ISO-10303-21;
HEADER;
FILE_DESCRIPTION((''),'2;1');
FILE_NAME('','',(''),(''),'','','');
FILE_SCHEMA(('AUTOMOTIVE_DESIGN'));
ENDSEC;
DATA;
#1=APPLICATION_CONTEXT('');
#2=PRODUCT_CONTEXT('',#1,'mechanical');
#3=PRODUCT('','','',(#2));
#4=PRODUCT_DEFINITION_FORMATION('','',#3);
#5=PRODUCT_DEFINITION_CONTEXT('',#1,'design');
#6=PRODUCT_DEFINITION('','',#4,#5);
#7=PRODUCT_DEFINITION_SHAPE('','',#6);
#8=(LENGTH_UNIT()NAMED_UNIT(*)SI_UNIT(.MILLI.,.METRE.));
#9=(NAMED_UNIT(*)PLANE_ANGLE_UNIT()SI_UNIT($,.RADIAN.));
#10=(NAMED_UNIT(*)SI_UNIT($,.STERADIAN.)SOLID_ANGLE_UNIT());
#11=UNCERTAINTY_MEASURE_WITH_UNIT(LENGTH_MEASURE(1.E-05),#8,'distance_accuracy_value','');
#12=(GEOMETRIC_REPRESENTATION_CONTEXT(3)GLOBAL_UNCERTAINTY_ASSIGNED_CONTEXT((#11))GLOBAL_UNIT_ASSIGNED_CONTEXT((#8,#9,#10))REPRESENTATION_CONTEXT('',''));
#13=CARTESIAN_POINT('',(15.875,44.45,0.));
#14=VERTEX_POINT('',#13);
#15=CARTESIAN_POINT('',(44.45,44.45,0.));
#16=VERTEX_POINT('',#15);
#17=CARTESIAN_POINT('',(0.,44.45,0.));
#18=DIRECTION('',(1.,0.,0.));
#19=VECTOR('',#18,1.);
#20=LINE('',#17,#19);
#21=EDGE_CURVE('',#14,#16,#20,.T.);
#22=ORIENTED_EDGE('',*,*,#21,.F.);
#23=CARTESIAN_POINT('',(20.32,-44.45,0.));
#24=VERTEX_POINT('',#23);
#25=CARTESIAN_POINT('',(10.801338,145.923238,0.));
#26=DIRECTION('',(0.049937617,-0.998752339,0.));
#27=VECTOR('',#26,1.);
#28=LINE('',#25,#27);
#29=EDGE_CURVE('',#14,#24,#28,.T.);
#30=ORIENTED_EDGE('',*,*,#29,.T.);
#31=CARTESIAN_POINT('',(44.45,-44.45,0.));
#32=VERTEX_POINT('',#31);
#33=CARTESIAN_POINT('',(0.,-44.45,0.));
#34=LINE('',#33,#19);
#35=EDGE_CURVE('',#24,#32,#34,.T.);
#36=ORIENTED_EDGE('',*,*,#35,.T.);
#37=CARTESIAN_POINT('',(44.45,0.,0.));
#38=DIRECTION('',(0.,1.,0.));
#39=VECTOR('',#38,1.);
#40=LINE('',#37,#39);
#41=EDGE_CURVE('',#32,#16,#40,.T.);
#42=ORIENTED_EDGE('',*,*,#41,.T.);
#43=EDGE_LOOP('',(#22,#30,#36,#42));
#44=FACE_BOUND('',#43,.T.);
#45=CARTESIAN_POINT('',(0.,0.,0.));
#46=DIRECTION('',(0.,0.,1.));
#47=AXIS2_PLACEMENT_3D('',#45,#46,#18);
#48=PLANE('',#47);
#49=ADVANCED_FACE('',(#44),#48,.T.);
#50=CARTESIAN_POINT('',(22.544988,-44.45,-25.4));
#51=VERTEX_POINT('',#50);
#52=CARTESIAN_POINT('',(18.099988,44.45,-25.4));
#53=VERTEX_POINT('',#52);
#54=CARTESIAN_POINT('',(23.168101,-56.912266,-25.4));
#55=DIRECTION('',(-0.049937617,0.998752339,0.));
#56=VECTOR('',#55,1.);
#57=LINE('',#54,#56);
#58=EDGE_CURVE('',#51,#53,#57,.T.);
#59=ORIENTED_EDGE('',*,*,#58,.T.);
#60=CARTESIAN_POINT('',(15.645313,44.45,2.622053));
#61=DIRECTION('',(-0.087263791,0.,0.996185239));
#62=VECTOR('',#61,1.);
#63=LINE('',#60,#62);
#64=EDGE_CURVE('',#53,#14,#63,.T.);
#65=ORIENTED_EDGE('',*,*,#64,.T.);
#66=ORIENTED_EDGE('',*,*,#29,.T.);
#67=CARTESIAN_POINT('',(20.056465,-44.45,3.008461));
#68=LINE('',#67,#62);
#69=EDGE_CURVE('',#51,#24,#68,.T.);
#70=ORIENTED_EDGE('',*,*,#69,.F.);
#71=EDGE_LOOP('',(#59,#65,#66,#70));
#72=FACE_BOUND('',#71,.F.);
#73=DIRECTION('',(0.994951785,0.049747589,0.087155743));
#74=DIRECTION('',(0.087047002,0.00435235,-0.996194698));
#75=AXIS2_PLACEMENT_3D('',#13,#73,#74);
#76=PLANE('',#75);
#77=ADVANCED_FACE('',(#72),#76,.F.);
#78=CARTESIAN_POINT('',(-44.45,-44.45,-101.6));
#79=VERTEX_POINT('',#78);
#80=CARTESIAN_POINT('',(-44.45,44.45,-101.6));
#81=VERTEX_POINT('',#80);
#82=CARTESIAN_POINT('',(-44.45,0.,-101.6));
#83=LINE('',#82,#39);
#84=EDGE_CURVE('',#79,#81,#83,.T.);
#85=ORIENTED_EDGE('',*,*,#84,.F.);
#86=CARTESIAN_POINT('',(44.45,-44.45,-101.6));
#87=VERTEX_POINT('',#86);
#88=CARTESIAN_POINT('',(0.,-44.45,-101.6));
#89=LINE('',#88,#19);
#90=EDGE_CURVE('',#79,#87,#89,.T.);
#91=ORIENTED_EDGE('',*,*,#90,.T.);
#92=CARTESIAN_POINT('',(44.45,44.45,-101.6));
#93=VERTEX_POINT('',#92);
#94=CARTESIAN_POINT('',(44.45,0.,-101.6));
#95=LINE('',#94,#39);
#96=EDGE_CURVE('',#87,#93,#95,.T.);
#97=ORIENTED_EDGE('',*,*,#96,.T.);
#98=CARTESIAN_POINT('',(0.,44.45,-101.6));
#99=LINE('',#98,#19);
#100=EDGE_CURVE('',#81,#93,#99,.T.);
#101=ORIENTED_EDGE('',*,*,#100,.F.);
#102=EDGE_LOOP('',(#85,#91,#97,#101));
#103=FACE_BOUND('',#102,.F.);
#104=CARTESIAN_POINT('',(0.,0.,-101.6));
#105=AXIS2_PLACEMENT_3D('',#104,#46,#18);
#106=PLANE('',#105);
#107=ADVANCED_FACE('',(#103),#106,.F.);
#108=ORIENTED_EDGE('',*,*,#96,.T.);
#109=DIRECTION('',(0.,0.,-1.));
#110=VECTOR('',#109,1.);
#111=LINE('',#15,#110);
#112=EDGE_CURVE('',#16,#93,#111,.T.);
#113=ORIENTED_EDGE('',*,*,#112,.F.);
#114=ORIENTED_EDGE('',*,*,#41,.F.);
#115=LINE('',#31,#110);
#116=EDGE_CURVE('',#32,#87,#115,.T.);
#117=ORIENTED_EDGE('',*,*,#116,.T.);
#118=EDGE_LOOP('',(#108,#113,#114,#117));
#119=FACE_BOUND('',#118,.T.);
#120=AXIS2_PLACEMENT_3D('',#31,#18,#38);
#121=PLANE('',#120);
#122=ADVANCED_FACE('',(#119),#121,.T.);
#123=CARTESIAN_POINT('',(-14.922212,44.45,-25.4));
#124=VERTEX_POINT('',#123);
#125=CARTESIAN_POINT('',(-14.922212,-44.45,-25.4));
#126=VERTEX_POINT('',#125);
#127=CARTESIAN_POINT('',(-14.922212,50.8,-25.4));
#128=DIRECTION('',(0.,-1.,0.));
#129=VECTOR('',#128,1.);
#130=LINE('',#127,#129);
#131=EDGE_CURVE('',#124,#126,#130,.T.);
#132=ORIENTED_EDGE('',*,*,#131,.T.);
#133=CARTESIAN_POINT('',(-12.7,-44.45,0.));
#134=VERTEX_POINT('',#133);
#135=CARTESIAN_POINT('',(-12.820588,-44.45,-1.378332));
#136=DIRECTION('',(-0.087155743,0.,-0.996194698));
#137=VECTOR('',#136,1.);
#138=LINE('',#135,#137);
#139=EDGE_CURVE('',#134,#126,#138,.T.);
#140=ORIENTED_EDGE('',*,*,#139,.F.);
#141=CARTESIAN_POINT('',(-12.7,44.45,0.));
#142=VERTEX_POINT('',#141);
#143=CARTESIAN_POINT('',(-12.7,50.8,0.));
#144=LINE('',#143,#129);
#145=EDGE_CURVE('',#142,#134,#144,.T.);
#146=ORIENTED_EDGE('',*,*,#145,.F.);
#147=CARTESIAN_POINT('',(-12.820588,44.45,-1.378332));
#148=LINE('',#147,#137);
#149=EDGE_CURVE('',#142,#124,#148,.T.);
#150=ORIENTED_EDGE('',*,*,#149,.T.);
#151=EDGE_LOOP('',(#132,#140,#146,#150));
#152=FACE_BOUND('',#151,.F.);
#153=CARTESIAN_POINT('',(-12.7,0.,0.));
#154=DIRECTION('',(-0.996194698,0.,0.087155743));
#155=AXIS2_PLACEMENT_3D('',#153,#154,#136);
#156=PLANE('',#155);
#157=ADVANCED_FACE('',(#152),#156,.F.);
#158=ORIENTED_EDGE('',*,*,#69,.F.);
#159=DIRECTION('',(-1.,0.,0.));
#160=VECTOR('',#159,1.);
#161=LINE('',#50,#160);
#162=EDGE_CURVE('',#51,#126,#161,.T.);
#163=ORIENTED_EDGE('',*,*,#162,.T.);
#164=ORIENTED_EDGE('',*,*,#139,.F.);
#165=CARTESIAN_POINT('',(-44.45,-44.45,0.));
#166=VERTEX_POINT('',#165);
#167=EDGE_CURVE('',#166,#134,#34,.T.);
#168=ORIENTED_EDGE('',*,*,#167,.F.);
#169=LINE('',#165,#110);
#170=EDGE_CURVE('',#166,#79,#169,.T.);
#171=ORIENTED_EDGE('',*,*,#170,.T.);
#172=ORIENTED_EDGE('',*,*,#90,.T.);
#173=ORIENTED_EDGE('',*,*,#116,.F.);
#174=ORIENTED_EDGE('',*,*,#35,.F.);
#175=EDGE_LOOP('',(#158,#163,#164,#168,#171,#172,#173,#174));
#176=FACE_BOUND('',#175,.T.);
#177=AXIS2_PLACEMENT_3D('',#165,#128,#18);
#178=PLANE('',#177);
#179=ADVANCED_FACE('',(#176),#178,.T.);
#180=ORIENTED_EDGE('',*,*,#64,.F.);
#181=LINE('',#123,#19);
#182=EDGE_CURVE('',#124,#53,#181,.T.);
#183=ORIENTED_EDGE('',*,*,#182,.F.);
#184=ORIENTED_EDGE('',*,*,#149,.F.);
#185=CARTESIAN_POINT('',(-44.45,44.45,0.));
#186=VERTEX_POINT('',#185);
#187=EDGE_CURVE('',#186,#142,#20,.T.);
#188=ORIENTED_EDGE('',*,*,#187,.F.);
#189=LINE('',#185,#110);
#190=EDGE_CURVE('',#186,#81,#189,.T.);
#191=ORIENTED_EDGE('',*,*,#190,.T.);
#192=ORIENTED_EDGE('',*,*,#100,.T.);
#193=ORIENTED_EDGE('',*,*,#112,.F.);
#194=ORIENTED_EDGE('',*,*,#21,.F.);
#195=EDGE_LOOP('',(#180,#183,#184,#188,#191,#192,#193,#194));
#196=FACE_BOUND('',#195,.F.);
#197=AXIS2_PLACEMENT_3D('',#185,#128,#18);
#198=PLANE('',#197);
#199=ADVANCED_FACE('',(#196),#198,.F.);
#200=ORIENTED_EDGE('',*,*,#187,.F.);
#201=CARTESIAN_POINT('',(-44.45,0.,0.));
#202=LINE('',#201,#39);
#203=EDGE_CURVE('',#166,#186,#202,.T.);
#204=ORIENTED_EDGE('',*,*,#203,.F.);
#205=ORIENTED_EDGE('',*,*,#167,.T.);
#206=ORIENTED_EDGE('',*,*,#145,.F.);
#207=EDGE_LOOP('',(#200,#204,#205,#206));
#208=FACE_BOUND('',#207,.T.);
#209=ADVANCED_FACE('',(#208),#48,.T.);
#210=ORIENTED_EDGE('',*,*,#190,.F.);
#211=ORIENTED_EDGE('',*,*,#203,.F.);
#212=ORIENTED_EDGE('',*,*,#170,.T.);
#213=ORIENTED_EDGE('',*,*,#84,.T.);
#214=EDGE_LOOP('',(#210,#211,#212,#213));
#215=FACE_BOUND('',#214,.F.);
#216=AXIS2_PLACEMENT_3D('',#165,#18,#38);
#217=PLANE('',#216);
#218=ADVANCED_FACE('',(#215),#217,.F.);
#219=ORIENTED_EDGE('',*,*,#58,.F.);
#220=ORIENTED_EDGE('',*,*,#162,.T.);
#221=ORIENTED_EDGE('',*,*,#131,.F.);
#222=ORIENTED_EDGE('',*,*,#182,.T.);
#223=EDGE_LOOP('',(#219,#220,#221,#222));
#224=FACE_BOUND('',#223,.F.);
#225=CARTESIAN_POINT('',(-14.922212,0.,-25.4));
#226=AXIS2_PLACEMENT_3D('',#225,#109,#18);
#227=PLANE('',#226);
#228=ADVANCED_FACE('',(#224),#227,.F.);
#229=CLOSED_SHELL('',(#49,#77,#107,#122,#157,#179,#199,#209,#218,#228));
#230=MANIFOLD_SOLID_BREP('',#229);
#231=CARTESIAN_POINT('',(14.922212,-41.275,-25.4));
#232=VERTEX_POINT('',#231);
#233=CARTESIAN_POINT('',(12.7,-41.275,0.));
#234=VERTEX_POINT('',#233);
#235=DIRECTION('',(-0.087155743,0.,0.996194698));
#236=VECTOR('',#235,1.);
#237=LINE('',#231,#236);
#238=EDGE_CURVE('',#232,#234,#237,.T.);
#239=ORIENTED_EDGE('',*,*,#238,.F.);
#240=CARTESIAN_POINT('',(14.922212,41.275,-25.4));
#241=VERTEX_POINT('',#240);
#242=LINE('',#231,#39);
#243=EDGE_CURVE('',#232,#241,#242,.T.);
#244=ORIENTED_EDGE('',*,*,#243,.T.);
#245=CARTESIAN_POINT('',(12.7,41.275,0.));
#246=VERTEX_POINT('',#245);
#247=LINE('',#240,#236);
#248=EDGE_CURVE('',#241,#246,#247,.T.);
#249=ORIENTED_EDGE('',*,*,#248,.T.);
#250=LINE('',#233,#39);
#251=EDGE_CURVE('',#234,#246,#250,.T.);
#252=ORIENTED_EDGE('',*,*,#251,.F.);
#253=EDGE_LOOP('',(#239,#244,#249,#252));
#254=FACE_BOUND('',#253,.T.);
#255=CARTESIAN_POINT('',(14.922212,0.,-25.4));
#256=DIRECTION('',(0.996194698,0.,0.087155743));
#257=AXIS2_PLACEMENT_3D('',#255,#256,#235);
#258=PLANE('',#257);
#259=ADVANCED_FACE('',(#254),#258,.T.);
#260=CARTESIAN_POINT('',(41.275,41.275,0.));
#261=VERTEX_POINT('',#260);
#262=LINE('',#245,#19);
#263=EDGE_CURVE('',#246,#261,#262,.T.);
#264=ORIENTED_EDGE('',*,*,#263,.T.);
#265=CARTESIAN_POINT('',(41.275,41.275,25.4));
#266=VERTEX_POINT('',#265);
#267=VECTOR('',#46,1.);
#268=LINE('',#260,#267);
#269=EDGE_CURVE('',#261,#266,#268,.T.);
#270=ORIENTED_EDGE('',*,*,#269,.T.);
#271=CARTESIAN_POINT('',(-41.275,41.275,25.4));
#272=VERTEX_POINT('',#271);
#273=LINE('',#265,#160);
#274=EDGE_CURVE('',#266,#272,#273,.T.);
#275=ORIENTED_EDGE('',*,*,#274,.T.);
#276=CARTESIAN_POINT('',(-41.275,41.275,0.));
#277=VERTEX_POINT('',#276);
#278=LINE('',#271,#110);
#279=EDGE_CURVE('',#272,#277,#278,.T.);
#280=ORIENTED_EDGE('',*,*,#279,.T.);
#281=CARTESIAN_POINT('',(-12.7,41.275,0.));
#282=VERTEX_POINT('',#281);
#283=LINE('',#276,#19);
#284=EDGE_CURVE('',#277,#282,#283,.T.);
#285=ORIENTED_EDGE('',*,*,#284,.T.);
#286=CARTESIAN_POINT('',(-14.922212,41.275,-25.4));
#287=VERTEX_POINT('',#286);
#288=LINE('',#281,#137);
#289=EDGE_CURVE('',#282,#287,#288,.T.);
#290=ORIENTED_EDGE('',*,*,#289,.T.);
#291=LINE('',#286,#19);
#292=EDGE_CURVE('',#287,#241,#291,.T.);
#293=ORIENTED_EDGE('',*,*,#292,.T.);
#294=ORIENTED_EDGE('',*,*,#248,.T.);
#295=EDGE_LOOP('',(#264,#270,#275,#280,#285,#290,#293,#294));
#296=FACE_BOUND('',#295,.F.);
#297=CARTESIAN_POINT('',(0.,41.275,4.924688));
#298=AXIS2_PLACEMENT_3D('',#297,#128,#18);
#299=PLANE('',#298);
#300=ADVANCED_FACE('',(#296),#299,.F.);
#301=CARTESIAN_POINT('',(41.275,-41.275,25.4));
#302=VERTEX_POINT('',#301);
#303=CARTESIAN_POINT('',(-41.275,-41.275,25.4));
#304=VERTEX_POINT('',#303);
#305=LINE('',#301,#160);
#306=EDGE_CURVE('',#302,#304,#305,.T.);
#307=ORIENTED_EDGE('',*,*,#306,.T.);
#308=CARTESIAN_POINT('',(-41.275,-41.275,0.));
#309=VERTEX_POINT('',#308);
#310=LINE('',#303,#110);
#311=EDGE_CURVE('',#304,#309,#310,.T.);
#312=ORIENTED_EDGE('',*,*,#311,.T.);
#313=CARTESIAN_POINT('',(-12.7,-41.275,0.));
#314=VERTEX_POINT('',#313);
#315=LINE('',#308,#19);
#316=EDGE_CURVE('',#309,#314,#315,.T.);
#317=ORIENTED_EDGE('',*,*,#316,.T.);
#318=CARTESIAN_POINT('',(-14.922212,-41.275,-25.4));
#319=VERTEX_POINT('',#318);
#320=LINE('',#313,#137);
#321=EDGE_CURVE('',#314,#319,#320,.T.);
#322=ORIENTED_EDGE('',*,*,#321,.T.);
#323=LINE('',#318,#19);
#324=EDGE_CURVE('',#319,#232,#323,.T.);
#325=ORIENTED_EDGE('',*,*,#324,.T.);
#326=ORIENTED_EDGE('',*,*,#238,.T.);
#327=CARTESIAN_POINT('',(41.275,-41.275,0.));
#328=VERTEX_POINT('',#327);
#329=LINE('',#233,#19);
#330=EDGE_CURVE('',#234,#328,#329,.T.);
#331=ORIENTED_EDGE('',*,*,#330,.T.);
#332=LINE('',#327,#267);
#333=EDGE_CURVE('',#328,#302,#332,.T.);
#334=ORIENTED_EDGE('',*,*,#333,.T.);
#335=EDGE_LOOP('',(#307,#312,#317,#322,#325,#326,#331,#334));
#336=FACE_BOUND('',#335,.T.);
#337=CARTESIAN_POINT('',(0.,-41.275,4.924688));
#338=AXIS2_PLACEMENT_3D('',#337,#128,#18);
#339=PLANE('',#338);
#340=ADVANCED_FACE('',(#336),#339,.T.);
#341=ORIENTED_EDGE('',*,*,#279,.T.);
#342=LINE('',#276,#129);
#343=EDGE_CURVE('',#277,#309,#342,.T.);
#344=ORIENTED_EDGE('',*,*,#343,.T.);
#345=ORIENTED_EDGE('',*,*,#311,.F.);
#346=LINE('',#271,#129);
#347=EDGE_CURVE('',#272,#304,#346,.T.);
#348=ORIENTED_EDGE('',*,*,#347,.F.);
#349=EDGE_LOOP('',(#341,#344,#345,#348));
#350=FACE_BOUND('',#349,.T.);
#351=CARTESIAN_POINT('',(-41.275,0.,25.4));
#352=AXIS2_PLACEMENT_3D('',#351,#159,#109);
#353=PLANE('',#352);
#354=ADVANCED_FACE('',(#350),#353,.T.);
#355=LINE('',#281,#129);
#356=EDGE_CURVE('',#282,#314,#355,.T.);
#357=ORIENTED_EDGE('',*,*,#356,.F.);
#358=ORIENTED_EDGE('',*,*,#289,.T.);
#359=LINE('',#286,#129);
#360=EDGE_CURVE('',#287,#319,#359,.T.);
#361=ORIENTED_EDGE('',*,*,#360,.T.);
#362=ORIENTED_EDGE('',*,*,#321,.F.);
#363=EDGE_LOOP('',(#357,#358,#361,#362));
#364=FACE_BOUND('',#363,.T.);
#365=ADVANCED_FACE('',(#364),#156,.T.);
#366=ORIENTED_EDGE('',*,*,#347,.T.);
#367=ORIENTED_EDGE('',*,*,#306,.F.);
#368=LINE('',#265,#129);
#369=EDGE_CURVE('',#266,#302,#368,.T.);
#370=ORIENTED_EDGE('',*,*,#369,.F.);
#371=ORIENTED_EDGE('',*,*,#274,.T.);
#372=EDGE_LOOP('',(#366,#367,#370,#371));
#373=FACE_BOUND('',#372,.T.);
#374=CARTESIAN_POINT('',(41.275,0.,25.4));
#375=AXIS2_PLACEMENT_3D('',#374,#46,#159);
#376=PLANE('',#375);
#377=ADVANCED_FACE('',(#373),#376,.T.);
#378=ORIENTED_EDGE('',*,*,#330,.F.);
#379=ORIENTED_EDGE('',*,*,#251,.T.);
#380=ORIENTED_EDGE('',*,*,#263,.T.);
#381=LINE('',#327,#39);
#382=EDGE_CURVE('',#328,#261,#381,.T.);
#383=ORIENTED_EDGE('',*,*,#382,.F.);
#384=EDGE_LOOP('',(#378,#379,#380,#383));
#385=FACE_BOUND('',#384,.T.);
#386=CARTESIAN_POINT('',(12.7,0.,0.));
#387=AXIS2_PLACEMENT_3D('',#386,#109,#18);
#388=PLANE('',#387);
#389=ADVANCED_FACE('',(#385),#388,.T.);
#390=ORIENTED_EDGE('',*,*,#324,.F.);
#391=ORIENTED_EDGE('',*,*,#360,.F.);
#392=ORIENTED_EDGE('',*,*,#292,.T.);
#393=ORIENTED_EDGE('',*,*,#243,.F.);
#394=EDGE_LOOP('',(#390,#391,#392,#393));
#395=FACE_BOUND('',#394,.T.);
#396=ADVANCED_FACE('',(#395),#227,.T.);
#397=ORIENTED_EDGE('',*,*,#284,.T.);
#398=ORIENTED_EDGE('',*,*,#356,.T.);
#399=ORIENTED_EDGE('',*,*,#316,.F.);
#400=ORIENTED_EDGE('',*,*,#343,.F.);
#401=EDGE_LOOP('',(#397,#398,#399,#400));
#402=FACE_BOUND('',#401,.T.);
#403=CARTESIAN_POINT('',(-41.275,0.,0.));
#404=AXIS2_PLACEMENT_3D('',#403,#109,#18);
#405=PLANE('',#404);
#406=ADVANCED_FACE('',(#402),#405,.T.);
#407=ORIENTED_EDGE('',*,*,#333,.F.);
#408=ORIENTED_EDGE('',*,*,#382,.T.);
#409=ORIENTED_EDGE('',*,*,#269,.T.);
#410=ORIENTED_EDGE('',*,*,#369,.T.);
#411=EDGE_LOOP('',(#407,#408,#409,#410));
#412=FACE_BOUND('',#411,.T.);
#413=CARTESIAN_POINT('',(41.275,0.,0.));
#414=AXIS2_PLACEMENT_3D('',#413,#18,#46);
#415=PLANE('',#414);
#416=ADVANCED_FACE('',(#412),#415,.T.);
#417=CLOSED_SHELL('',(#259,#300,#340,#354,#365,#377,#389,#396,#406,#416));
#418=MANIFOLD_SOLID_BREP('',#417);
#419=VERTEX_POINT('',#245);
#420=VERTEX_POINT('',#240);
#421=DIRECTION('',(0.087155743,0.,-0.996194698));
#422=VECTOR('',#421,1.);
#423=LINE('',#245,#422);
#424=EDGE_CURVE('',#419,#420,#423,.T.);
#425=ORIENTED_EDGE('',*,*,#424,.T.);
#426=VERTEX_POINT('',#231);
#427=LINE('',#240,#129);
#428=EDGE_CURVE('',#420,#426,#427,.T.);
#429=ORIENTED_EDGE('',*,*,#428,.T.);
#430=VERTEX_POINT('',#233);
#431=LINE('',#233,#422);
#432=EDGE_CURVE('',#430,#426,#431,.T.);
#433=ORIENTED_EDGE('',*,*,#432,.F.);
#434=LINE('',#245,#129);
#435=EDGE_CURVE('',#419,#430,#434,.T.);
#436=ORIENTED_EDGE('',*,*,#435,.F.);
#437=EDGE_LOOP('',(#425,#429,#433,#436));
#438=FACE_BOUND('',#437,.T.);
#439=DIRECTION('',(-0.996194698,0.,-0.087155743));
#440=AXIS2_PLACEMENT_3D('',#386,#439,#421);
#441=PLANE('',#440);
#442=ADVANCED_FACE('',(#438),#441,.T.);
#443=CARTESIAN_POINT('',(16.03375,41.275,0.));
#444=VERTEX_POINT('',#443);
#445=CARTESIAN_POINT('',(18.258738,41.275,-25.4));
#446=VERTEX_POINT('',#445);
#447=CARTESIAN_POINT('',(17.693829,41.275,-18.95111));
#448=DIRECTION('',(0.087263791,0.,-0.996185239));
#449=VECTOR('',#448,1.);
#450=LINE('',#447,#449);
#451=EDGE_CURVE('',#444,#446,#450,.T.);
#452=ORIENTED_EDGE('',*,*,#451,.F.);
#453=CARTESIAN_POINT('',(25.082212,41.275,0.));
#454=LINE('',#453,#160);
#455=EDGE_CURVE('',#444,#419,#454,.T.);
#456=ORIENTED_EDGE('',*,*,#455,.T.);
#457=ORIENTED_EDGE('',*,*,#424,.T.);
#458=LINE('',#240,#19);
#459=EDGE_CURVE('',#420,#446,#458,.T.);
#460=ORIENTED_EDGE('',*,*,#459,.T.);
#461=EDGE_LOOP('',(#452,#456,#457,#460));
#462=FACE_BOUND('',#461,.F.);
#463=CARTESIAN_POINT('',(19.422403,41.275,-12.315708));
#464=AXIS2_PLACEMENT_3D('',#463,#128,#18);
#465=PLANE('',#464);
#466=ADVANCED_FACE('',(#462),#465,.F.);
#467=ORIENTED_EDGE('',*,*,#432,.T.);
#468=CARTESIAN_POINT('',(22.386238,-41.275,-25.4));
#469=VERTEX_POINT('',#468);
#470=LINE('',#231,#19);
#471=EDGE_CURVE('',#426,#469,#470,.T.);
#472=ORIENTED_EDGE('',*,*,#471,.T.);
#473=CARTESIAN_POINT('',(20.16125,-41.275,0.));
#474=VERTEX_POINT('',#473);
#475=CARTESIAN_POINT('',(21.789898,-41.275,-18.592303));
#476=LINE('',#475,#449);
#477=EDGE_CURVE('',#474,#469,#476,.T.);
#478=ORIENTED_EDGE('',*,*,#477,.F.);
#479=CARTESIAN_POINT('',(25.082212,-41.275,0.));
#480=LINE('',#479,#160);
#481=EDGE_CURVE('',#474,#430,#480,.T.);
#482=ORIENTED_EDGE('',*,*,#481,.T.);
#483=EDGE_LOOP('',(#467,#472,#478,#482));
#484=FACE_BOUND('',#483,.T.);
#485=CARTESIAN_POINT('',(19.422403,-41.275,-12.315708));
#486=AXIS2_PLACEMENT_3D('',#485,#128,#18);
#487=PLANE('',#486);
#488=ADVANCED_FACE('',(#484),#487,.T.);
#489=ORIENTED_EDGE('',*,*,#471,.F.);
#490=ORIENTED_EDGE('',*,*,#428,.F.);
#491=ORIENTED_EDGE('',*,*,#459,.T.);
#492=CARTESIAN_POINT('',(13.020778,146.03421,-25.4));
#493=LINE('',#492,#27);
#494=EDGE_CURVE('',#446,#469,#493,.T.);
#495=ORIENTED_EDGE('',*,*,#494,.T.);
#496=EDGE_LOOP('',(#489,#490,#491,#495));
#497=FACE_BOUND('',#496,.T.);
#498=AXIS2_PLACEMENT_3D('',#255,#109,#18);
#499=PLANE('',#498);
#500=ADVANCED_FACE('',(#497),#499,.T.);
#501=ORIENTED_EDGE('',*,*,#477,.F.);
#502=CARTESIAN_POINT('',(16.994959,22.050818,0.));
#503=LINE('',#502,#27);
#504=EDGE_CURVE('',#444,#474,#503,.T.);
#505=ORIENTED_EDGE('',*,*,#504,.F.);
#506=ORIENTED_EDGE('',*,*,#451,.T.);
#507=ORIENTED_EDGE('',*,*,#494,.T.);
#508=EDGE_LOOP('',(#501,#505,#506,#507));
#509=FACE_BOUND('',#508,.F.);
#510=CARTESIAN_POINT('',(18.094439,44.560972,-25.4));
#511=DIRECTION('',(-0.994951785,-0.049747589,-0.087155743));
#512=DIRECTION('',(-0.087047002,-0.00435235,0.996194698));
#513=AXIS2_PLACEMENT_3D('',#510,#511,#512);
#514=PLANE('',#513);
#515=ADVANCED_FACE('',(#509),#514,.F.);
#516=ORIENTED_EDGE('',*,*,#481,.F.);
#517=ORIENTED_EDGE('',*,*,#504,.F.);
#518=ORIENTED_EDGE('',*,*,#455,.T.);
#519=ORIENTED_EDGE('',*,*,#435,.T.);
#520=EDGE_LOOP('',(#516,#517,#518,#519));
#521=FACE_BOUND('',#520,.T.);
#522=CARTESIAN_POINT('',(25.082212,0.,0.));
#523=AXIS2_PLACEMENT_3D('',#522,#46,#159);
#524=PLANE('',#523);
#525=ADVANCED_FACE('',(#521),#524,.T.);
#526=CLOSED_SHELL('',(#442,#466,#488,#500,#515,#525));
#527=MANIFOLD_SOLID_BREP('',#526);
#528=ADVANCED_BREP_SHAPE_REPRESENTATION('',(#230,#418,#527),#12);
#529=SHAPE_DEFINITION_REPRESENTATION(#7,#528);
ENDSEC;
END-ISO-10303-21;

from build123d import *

# Parameters (mm, degrees)
F0_W      = 88.9
F0_H      = 88.9
F1_DEPTH  = 101.6
F3_DEPTH  = 50.8
F8_DEPTH  = 101.6
F10_DEPTH = 41.275
F12_DEPTH = 41.275
F14_DEPTH = 101.6


with BuildPart() as f1:
    # F0 (on Top) → F1 (new body)
    with BuildSketch(Plane.XY):
        Rectangle(F0_W, F0_H)
    extrude(amount=-F1_DEPTH)

    # F2 (on Front) → F3 (cut, symmetric)
    with BuildSketch(Plane.XZ):
        Polygon((10.16, 0), (-12.7, 0), (-14.9222120536, -25.4), (10.16, -25.4), align=None)
    extrude(amount=F3_DEPTH, both=True, mode=Mode.SUBTRACT)

    # F7 (on 3pt) → F8 (cut, symmetric)
    with BuildSketch(Plane(origin=(-2.1773690773, 43.5473815461, 0), x_dir=(-0.9987523389, -0.0499376169, 0), z_dir=(-0.0499376169, 0.9987523389, 0))):
        Polygon((-18.0749204528, 0), (-20.2971325064, -25.4), (-0.2949204528, -25.4), (-0.2949204528, 0), align=None)
    extrude(amount=F8_DEPTH, both=True, mode=Mode.SUBTRACT)


with BuildPart() as f10:
    # F9 (on Front) → F10 (new body, symmetric)
    with BuildSketch(Plane.XZ):
        Polygon((41.275, 0), (41.275, 25.4), (-41.275, 25.4), (-41.275, 0), (-12.7, 0), (-14.9222120536, -25.4), (14.9222120536, -25.4), (12.7, 0), align=None)
    extrude(amount=F10_DEPTH, both=True)


with BuildPart() as f12:
    # F11 (on Front) → F12 (new body, symmetric)
    with BuildSketch(Plane.XZ):
        Polygon((25.0822120536, 0), (12.7, 0), (14.9222120536, -25.4), (25.0822120536, -25.4), align=None)
    extrude(amount=F12_DEPTH, both=True)

    # F13 (on 3pt) → F14 (cut, symmetric)
    with BuildSketch(Plane(origin=(-2.1773690773, 43.5473815461, 0), x_dir=(-0.9987523389, -0.0499376169, 0), z_dir=(-0.0499376169, 0.9987523389, 0))):
        Polygon((-20.2971325064, -25.4), (-17.8526992475, 2.54), (-32.9971325064, 2.54), (-32.9971325064, -25.4), align=None)
    extrude(amount=F14_DEPTH, both=True, mode=Mode.SUBTRACT)


solid = Compound([f1.part, f10.part, f12.part])
